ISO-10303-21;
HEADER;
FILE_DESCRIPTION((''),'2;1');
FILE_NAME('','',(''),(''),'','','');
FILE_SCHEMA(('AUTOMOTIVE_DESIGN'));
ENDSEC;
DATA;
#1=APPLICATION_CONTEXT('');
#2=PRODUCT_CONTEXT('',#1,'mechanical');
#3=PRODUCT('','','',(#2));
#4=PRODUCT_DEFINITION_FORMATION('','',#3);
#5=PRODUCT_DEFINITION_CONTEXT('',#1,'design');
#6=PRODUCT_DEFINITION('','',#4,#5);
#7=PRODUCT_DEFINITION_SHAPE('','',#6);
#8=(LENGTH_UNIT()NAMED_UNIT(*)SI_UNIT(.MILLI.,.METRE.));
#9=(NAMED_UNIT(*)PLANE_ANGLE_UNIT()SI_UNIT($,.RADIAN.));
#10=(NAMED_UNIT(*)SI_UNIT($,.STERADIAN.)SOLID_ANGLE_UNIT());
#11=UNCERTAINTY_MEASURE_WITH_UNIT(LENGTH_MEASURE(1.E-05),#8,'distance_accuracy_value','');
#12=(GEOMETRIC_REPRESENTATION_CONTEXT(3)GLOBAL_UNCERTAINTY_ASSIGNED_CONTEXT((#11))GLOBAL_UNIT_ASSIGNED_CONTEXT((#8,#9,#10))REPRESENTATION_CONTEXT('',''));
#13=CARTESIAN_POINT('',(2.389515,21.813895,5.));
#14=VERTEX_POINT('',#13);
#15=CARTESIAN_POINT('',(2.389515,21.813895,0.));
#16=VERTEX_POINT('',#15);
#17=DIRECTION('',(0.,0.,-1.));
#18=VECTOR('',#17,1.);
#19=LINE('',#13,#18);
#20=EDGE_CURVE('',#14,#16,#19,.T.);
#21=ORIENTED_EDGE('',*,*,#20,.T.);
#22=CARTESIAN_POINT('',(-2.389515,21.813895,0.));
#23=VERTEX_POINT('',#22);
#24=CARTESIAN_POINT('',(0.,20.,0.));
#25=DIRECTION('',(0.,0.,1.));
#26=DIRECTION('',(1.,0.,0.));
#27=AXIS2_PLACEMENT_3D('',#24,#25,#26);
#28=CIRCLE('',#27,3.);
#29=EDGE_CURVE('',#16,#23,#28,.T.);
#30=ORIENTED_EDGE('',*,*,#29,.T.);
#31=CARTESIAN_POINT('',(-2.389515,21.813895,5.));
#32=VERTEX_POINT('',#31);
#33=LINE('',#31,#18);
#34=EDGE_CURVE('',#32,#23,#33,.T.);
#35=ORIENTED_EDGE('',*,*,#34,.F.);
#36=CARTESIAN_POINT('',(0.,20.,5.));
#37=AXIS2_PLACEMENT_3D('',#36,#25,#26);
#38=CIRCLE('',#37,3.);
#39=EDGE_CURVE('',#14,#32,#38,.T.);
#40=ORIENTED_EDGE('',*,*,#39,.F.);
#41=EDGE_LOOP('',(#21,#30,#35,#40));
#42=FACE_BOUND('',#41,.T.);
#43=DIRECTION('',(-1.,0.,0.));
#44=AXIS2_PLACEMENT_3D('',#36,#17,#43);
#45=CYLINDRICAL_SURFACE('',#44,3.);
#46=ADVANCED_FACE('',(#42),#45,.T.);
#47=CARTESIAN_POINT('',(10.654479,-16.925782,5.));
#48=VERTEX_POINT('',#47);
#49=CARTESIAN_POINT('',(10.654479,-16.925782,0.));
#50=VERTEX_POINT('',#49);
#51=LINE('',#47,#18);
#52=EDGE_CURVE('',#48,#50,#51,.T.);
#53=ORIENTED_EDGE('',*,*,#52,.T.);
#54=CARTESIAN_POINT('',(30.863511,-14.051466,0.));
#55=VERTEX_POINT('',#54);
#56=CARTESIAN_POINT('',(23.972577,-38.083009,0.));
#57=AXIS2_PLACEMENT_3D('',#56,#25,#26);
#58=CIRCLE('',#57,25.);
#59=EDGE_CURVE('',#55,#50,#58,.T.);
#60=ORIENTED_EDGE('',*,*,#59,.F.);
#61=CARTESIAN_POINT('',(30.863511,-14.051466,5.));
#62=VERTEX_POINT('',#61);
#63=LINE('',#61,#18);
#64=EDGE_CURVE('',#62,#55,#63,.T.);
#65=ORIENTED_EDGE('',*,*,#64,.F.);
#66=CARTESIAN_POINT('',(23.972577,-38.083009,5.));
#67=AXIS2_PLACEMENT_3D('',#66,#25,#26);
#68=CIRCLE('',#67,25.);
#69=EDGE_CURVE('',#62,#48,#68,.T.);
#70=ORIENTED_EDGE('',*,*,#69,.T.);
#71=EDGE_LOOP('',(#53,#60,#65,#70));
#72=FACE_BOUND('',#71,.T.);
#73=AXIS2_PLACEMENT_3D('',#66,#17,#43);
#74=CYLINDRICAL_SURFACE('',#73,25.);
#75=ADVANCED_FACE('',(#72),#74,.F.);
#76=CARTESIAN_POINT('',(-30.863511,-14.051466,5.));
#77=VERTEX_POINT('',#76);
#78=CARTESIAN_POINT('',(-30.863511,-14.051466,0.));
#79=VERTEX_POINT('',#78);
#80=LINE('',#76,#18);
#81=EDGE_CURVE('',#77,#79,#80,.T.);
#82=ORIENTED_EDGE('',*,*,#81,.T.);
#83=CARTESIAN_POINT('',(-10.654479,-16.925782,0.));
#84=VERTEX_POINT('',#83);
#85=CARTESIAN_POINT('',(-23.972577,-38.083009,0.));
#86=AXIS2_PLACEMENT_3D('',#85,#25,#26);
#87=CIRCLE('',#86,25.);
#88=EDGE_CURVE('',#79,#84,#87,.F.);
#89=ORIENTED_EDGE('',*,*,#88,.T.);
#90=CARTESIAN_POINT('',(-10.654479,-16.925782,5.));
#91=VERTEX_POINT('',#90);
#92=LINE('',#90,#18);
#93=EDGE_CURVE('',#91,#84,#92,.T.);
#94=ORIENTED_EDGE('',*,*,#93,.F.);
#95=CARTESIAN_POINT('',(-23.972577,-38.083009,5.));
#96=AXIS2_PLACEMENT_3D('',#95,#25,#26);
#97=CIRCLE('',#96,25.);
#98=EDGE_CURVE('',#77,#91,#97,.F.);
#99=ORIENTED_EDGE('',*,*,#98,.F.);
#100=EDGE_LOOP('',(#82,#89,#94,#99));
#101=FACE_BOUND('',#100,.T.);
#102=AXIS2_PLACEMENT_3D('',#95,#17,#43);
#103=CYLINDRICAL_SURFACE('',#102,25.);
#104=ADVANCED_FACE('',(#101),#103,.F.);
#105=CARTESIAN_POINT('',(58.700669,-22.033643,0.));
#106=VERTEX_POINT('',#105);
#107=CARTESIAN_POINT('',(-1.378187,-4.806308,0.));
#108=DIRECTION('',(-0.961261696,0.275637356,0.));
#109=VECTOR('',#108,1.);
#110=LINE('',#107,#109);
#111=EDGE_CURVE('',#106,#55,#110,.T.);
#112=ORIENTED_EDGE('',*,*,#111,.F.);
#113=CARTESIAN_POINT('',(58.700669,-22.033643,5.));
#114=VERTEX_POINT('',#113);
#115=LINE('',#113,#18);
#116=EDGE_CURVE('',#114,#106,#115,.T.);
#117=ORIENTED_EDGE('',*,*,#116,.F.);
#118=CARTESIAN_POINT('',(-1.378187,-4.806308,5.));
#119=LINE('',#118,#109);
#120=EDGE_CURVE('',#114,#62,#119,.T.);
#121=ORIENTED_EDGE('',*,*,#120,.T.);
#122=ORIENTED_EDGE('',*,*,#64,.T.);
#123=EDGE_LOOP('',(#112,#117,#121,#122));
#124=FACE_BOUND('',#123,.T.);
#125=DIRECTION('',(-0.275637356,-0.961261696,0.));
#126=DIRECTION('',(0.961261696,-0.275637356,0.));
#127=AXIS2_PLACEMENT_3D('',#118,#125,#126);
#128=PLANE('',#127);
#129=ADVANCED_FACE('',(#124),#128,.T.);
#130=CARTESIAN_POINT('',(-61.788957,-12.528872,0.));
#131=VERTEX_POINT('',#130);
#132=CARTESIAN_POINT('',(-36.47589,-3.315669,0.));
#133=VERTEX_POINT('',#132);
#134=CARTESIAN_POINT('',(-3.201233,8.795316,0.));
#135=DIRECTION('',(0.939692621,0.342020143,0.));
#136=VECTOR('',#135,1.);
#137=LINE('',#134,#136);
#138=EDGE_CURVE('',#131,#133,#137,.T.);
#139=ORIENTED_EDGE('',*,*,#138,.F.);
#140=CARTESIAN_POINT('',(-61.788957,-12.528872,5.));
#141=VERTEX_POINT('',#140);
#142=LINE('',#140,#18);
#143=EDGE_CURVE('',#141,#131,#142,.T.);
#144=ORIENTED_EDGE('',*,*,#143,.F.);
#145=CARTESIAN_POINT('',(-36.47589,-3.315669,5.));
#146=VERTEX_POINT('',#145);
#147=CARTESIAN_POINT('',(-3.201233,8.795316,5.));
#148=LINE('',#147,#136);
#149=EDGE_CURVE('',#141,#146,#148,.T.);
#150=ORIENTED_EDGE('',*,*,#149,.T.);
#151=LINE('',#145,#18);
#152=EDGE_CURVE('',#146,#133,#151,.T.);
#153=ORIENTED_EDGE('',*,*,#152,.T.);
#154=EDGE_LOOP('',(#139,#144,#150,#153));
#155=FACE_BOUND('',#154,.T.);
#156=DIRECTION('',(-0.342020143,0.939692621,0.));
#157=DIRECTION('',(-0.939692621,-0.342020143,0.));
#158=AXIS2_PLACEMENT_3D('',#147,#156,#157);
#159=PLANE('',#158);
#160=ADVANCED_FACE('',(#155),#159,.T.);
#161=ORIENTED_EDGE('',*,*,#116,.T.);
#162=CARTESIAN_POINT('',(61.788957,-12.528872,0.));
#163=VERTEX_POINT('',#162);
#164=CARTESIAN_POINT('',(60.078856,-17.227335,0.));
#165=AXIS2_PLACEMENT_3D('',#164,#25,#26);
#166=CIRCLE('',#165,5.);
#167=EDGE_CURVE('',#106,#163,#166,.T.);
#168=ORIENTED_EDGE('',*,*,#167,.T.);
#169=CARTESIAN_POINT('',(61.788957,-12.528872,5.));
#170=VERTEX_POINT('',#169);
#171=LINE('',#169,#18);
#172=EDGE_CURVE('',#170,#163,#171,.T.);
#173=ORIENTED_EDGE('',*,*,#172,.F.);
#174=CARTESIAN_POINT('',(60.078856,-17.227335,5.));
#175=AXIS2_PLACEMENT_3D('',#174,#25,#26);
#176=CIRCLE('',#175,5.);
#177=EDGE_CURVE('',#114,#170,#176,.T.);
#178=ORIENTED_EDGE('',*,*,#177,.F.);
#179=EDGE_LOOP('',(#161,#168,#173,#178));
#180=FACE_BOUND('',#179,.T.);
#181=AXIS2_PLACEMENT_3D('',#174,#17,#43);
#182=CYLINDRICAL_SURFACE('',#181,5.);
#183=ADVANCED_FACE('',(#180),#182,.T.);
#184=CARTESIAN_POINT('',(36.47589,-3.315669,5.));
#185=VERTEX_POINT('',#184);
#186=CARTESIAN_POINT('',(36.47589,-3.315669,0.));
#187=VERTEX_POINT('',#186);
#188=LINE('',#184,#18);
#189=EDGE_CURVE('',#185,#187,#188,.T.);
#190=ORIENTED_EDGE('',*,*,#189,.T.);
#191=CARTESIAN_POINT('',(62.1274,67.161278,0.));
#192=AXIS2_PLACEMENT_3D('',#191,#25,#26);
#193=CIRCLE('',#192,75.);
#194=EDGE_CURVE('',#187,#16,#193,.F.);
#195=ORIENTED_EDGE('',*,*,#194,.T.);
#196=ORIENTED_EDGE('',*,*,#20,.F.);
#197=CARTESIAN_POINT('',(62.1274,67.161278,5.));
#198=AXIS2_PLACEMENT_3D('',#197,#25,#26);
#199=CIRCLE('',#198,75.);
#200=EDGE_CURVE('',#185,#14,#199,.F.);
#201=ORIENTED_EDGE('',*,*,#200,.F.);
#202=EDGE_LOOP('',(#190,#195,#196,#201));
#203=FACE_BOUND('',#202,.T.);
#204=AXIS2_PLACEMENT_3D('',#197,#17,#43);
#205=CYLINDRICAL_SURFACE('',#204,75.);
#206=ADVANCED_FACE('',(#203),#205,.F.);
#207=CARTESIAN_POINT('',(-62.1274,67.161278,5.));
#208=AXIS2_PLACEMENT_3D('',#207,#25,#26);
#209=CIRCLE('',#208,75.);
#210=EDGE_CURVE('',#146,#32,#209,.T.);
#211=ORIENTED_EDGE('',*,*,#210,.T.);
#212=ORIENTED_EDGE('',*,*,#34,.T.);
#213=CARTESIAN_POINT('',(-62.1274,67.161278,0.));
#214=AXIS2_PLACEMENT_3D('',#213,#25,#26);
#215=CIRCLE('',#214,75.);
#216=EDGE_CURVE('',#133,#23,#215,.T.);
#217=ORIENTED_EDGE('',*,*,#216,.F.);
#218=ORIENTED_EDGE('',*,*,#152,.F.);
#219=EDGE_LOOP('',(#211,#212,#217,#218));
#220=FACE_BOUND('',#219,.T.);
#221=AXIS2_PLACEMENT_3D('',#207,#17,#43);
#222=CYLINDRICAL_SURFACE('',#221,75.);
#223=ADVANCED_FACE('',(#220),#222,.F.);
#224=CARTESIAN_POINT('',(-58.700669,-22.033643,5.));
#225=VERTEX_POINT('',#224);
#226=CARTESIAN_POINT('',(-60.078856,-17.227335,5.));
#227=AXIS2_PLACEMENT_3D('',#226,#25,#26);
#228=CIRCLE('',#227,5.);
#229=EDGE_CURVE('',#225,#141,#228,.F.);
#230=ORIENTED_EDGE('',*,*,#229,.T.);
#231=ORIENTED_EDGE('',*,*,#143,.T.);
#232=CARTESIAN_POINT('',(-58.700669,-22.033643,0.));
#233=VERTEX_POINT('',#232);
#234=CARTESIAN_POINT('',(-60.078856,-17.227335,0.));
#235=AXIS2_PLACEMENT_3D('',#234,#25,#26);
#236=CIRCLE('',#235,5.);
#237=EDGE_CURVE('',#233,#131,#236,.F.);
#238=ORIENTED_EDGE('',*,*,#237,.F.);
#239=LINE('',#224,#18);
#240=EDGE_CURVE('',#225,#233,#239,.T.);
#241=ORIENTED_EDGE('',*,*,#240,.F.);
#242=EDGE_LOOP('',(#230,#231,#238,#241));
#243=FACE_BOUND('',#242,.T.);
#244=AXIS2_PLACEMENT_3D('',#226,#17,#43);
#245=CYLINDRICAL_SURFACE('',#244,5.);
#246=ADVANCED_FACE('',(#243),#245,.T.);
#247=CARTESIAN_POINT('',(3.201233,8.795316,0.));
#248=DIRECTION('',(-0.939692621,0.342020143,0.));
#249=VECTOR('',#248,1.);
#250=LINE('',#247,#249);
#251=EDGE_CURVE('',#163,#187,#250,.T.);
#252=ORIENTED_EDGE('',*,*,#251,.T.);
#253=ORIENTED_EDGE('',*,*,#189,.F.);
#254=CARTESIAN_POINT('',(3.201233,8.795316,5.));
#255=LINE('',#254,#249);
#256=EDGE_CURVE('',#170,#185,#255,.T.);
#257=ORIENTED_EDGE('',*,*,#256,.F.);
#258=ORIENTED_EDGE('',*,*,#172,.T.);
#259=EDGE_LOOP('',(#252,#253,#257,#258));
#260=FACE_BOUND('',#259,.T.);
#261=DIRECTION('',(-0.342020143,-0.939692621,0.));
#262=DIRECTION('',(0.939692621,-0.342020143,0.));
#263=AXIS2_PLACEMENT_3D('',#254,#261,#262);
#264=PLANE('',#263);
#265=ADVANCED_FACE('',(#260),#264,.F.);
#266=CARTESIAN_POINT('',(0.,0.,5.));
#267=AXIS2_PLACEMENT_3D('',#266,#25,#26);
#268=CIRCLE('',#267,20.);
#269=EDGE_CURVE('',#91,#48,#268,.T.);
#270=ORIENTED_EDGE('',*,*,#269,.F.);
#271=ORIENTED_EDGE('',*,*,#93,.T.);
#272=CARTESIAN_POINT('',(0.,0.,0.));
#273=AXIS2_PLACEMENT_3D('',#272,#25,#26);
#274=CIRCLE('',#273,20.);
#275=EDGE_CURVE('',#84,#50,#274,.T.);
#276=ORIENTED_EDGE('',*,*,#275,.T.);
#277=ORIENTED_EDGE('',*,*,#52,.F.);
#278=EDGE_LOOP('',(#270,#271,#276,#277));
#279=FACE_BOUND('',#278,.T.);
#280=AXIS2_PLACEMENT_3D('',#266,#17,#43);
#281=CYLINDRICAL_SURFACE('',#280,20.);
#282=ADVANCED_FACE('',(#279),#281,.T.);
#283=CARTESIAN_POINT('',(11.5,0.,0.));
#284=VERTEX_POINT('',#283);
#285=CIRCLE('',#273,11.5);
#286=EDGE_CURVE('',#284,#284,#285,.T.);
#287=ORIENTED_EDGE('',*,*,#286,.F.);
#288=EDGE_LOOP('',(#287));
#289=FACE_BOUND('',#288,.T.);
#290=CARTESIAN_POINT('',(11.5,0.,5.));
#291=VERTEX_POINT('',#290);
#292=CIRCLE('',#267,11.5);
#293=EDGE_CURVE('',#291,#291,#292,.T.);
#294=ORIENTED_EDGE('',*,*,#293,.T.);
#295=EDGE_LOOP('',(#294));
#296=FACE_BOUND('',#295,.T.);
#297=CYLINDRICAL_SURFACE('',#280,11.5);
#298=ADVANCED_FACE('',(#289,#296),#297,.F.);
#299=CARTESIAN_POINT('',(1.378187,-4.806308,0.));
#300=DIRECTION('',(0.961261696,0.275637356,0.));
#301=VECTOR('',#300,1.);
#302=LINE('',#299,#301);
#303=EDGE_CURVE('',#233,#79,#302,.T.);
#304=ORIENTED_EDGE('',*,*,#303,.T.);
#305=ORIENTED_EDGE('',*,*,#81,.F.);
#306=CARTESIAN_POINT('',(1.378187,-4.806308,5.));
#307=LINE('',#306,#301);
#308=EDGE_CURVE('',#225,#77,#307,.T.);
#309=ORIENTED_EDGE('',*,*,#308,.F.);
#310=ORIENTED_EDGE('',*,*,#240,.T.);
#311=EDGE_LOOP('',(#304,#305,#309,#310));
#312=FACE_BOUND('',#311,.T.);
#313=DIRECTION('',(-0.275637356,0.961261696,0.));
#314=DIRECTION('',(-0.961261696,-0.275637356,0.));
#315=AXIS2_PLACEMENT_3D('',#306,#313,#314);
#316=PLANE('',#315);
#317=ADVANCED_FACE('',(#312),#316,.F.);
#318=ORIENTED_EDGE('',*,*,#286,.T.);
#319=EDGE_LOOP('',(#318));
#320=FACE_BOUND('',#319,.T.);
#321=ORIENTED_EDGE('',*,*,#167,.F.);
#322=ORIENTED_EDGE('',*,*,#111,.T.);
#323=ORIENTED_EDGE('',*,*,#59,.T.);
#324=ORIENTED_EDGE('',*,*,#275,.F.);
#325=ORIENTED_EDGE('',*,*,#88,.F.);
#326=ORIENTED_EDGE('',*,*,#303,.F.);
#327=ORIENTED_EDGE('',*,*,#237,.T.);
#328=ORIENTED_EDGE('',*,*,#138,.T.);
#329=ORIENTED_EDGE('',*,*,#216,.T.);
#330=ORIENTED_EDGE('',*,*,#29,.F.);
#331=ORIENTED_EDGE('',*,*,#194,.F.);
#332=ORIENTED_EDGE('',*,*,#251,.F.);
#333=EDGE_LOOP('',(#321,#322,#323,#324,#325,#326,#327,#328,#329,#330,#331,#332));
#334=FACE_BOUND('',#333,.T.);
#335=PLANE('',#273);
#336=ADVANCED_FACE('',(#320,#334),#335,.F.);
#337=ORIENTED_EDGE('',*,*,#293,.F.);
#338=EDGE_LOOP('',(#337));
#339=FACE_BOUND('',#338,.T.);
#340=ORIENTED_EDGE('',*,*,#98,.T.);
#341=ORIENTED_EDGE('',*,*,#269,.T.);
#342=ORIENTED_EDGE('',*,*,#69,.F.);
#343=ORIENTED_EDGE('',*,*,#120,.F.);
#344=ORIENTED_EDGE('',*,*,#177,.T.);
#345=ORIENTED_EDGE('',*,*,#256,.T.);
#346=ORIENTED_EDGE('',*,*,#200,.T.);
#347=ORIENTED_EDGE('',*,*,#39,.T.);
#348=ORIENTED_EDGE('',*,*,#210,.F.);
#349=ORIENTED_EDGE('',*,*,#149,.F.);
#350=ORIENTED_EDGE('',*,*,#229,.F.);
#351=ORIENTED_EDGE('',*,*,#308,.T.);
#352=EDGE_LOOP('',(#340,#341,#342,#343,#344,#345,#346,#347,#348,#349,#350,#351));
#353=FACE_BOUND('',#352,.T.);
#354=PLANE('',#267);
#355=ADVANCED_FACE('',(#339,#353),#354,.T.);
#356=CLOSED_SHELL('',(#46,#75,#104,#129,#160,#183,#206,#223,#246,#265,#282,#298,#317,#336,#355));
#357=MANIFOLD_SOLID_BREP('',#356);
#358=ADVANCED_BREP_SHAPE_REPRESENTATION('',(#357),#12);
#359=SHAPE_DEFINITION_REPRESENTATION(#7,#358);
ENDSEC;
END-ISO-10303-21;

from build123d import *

# Parameters (mm, degrees)
SKETCH1_R           = 11.5
BOSS_EXTRUDE1_DEPTH = 5


with BuildPart() as part:
    # Sketch1 → Boss-Extrude1 (new body)
    with BuildSketch(Plane.XY):
        with BuildLine():
            Line((30.863510665, -14.051466451), (58.700669217, -22.033643218))
            ThreePointArc((58.700669217, -22.033643218), (64.834138578, -18.77241971), (61.788956713, -12.528871635))
            Line((61.788956713, -12.528871635), (36.475889527, -3.315668641))
            ThreePointArc((36.475889527, -3.315668641), (17.622221167, 6.793330856), (2.389515395, 21.813895305))
            ThreePointArc((2.389515395, 21.813895305), (0, 23), (-2.389515395, 21.813895305))
            ThreePointArc((-2.389515395, 21.813895305), (-17.622221167, 6.793330856), (-36.475889527, -3.315668641))
            Line((-36.475889527, -3.315668641), (-61.788956713, -12.528871635))
            ThreePointArc((-61.788956713, -12.528871635), (-64.834138578, -18.77241971), (-58.700669217, -22.033643218))
            Line((-58.700669217, -22.033643218), (-30.863510665, -14.051466451))
            ThreePointArc((-30.863510665, -14.051466451), (-20.452273896, -13.332100428), (-10.654478564, -16.925781711))
            ThreePointArc((-10.654478564, -16.925781711), (0, -20), (10.654478564, -16.925781711))
            ThreePointArc((10.654478564, -16.925781711), (20.452273896, -13.332100428), (30.863510665, -14.051466451))
        make_face()
        Circle(SKETCH1_R, mode=Mode.SUBTRACT)
    extrude(amount=BOSS_EXTRUDE1_DEPTH)


solid = part.part
